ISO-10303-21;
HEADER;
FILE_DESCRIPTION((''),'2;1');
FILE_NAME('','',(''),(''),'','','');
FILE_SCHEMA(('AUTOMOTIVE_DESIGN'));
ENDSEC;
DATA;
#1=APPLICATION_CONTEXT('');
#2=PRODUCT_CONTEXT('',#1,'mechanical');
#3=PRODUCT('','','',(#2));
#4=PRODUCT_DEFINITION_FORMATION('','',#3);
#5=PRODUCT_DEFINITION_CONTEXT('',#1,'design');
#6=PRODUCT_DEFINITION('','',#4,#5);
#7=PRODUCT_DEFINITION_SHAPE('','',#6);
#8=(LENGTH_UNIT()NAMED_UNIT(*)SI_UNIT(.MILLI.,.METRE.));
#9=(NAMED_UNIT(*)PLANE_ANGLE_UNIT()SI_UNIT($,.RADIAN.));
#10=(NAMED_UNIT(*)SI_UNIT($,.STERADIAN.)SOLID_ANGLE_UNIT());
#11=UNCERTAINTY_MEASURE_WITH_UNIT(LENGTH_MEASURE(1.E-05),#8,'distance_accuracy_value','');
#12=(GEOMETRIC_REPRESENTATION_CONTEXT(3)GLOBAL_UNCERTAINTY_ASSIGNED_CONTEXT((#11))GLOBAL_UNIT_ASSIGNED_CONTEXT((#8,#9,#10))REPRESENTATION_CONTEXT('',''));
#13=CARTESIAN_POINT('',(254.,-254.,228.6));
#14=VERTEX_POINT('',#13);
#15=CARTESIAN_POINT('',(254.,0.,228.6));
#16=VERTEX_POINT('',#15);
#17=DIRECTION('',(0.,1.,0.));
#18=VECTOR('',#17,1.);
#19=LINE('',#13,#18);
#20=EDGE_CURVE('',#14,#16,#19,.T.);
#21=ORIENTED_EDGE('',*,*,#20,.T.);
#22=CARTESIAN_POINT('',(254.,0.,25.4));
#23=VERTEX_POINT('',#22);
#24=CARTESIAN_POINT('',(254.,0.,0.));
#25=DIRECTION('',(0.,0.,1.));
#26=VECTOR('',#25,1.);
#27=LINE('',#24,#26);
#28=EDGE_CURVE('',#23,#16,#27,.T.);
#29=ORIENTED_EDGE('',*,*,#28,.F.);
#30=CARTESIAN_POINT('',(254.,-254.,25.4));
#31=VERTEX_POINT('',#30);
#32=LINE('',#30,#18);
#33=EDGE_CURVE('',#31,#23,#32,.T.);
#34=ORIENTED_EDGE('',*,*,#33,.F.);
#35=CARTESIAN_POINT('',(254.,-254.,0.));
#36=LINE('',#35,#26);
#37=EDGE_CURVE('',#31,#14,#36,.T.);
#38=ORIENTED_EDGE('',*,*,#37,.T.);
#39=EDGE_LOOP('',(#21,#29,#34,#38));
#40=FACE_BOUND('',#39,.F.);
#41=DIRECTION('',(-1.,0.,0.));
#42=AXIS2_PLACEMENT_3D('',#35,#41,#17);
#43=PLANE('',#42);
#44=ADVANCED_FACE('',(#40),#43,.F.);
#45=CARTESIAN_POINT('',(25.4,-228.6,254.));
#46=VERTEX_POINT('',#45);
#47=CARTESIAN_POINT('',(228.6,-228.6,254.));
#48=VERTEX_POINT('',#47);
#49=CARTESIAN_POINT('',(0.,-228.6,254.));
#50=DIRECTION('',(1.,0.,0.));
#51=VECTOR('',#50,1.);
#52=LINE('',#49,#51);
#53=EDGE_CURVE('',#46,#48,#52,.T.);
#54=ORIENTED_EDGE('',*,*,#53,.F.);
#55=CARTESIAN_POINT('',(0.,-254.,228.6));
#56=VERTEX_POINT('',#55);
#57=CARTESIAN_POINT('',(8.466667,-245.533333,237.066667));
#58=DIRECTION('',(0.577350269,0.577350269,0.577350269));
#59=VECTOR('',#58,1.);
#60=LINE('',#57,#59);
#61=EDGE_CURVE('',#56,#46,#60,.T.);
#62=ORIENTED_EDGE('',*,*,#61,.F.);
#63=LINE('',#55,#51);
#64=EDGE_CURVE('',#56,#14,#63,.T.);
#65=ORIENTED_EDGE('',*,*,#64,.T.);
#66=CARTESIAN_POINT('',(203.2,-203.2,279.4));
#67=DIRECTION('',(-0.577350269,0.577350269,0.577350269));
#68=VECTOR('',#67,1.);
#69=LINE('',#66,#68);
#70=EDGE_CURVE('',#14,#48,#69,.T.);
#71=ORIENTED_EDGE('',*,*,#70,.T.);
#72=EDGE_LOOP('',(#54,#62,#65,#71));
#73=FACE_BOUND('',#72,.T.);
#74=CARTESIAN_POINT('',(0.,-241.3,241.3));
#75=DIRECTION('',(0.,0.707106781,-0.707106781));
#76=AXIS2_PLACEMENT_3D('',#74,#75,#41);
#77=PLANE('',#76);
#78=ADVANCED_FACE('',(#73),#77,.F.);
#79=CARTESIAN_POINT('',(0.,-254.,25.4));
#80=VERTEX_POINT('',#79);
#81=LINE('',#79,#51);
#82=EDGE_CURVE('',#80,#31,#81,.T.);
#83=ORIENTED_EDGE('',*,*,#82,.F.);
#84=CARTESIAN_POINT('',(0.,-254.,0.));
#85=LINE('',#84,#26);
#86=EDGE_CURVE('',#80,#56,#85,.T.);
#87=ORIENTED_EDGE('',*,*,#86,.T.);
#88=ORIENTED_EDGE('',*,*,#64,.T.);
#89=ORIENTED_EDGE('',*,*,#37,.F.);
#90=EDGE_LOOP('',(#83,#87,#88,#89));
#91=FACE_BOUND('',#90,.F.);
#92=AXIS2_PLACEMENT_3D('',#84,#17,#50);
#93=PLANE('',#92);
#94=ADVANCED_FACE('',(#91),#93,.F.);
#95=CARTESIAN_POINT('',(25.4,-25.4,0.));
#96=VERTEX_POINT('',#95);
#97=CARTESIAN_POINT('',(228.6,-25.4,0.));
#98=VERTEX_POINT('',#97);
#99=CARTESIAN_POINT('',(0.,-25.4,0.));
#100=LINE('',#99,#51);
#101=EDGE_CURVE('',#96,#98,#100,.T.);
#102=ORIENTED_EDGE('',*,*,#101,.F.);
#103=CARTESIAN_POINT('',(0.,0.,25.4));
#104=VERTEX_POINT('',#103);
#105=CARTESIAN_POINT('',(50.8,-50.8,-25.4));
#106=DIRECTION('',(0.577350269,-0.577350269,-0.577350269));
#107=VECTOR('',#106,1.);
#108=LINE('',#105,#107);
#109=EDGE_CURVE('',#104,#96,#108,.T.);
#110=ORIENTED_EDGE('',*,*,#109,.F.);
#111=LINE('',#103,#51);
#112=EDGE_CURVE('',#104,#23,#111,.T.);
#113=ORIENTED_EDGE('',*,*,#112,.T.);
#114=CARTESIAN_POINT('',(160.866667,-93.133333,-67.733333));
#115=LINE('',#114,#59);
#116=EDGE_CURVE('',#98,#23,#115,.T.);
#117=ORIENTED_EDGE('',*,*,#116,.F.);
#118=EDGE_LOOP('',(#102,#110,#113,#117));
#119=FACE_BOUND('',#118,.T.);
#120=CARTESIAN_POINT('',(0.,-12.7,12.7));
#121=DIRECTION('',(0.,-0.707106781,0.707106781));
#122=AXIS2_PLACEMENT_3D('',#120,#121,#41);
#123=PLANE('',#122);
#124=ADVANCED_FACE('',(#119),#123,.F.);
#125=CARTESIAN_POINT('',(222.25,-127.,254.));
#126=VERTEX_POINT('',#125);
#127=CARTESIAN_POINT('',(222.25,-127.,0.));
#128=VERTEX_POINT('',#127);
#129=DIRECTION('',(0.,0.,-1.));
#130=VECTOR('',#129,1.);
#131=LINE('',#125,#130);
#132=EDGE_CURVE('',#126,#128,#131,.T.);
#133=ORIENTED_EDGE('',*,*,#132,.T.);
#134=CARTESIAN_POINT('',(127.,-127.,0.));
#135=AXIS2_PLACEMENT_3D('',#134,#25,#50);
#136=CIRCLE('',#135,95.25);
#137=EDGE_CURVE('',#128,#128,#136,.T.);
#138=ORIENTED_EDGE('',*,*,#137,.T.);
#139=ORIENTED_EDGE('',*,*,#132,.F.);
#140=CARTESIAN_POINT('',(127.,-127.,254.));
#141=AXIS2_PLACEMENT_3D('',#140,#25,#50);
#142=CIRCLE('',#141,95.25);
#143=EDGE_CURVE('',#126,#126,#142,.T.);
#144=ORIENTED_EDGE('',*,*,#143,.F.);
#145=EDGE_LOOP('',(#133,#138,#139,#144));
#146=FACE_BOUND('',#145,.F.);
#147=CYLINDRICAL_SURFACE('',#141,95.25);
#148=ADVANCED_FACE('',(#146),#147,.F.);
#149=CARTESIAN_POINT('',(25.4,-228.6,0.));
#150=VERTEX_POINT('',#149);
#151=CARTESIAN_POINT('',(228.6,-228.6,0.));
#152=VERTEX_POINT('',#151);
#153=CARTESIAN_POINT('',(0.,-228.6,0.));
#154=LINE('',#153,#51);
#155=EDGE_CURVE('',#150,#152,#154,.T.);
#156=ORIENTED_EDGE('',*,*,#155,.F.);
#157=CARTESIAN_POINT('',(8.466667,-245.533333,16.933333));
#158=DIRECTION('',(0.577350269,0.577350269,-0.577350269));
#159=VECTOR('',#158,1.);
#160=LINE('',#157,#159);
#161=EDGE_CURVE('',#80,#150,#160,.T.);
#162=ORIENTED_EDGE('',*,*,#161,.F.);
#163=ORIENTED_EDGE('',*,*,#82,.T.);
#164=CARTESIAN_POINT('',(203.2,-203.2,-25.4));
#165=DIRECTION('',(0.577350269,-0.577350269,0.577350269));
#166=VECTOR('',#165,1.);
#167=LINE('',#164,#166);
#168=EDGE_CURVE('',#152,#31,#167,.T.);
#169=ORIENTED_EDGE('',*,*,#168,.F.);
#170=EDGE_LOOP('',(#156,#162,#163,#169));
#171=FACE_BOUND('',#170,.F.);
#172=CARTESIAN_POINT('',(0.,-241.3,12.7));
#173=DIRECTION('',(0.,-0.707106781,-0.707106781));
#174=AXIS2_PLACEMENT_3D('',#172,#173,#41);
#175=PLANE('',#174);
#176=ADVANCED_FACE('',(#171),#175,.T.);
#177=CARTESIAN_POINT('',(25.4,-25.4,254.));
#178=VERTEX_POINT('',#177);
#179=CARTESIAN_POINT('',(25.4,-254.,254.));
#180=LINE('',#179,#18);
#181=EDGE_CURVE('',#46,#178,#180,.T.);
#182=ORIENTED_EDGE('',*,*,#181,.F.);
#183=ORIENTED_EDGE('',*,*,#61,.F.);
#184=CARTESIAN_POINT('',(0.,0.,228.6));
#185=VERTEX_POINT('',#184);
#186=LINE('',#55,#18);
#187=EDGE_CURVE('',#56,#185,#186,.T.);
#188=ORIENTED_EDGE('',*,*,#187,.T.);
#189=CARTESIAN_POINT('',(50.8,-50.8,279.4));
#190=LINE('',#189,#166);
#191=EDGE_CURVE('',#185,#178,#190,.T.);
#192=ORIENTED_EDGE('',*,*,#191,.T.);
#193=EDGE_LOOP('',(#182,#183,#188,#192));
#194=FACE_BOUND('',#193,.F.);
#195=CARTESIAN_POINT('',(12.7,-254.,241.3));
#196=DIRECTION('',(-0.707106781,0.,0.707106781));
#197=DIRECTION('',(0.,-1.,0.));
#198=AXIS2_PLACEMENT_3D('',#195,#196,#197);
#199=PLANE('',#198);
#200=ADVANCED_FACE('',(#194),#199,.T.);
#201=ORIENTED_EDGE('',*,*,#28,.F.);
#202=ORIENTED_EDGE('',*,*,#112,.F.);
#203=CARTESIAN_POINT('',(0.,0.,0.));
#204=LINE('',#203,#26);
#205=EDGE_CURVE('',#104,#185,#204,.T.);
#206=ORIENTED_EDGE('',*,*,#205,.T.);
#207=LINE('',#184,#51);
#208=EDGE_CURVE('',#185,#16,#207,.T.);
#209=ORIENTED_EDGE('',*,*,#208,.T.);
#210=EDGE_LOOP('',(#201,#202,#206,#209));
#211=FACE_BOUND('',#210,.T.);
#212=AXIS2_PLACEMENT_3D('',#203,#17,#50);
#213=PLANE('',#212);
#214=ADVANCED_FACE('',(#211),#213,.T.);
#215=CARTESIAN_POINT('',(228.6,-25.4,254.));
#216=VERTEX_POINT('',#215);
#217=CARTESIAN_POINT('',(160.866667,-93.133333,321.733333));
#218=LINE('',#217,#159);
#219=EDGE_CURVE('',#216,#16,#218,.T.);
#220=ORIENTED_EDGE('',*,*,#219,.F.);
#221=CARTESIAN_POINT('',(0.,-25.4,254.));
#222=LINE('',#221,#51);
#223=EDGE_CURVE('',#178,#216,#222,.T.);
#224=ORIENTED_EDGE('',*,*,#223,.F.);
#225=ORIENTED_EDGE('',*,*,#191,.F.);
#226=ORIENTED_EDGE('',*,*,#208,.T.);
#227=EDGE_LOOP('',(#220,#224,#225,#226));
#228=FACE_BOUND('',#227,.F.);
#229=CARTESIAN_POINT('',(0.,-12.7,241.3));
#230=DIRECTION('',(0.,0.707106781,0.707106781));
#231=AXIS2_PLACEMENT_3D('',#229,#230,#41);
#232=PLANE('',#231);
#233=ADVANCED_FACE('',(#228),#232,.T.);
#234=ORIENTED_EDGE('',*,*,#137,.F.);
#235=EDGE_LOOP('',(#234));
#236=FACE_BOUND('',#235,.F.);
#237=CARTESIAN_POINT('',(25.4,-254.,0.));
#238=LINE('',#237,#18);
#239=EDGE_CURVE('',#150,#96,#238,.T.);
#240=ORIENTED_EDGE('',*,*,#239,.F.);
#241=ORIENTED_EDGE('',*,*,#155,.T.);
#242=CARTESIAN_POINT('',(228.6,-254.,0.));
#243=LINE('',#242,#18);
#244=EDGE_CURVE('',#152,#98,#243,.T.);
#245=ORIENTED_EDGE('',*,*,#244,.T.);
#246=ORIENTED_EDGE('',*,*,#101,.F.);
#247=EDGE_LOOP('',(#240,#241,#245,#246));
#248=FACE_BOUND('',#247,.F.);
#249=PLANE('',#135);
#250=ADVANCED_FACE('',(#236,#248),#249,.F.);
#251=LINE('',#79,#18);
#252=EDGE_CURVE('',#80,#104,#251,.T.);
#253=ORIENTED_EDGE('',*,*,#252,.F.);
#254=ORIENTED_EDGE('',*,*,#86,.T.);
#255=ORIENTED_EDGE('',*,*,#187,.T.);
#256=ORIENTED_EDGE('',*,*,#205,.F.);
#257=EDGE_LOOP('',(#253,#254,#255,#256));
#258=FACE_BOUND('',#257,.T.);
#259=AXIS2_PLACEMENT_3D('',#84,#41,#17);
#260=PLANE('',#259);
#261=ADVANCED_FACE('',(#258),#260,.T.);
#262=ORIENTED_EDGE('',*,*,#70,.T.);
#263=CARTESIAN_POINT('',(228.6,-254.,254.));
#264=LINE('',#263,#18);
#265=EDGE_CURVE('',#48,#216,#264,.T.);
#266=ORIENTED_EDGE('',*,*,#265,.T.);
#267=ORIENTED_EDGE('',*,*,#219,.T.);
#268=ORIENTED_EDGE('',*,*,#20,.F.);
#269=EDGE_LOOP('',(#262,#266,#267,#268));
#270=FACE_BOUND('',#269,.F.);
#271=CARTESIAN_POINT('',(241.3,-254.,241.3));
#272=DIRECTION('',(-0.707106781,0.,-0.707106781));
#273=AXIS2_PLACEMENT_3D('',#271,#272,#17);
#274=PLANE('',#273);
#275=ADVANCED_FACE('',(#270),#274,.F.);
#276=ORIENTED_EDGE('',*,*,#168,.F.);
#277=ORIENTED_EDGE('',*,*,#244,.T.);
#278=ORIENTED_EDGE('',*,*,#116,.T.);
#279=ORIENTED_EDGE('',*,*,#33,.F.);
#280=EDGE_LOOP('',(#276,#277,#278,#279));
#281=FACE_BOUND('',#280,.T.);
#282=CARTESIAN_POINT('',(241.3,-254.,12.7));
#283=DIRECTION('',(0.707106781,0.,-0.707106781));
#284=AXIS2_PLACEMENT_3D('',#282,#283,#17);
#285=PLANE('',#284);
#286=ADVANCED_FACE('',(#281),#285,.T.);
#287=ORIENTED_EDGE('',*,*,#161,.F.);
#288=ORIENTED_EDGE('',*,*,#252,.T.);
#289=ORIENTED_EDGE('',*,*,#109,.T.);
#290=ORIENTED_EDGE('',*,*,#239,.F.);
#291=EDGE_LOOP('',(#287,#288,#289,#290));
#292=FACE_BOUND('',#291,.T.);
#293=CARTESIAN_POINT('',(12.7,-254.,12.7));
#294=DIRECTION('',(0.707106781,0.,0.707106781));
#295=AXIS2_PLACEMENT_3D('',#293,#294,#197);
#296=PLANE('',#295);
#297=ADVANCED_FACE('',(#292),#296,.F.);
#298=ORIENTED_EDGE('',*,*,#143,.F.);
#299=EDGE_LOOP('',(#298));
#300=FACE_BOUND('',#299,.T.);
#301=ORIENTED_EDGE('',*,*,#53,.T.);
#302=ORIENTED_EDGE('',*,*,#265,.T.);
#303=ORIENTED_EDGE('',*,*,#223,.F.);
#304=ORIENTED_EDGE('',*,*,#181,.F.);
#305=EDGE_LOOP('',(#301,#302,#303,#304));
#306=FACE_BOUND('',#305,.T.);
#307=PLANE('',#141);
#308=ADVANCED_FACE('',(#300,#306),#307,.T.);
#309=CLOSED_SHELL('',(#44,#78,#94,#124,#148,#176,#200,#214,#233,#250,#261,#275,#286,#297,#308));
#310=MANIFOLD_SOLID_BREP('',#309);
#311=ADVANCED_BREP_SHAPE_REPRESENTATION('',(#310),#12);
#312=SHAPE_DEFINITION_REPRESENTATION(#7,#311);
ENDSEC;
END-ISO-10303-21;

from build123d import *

# Parameters (mm, degrees)
F0_W     = 254
F0_H     = 254
F1_DEPTH = 254
F2_R     = 95.25
F3_DEPTH = 254.001
F4_SIZE  = 25.4


with BuildPart() as f1:
    # F0 (on Top) → F1 (new body)
    with BuildSketch(Plane.XY):
        with Locations((127, -127)):
            Rectangle(F0_W, F0_H)
    extrude(amount=F1_DEPTH)

    # F2 (on face) → F3 (cut, through all)
    with BuildSketch(Plane.XY.offset(254)):
        with Locations((127, -127)):
            Circle(F2_R)
    extrude(amount=-F3_DEPTH, mode=Mode.SUBTRACT)

    # F4
    f4_edges = [f1.edges().sort_by_distance(p)[0] for p in [
        (127, -254, 254),
        (254, -127, 254),
        (127, 0, 254),
        (0, -127, 254),
        (254, -127, 0),
        (127, -254, 0),
        (127, 0, 0),
        (0, -127, 0),
    ]]
    chamfer(f4_edges, length=F4_SIZE)


solid = f1.part
